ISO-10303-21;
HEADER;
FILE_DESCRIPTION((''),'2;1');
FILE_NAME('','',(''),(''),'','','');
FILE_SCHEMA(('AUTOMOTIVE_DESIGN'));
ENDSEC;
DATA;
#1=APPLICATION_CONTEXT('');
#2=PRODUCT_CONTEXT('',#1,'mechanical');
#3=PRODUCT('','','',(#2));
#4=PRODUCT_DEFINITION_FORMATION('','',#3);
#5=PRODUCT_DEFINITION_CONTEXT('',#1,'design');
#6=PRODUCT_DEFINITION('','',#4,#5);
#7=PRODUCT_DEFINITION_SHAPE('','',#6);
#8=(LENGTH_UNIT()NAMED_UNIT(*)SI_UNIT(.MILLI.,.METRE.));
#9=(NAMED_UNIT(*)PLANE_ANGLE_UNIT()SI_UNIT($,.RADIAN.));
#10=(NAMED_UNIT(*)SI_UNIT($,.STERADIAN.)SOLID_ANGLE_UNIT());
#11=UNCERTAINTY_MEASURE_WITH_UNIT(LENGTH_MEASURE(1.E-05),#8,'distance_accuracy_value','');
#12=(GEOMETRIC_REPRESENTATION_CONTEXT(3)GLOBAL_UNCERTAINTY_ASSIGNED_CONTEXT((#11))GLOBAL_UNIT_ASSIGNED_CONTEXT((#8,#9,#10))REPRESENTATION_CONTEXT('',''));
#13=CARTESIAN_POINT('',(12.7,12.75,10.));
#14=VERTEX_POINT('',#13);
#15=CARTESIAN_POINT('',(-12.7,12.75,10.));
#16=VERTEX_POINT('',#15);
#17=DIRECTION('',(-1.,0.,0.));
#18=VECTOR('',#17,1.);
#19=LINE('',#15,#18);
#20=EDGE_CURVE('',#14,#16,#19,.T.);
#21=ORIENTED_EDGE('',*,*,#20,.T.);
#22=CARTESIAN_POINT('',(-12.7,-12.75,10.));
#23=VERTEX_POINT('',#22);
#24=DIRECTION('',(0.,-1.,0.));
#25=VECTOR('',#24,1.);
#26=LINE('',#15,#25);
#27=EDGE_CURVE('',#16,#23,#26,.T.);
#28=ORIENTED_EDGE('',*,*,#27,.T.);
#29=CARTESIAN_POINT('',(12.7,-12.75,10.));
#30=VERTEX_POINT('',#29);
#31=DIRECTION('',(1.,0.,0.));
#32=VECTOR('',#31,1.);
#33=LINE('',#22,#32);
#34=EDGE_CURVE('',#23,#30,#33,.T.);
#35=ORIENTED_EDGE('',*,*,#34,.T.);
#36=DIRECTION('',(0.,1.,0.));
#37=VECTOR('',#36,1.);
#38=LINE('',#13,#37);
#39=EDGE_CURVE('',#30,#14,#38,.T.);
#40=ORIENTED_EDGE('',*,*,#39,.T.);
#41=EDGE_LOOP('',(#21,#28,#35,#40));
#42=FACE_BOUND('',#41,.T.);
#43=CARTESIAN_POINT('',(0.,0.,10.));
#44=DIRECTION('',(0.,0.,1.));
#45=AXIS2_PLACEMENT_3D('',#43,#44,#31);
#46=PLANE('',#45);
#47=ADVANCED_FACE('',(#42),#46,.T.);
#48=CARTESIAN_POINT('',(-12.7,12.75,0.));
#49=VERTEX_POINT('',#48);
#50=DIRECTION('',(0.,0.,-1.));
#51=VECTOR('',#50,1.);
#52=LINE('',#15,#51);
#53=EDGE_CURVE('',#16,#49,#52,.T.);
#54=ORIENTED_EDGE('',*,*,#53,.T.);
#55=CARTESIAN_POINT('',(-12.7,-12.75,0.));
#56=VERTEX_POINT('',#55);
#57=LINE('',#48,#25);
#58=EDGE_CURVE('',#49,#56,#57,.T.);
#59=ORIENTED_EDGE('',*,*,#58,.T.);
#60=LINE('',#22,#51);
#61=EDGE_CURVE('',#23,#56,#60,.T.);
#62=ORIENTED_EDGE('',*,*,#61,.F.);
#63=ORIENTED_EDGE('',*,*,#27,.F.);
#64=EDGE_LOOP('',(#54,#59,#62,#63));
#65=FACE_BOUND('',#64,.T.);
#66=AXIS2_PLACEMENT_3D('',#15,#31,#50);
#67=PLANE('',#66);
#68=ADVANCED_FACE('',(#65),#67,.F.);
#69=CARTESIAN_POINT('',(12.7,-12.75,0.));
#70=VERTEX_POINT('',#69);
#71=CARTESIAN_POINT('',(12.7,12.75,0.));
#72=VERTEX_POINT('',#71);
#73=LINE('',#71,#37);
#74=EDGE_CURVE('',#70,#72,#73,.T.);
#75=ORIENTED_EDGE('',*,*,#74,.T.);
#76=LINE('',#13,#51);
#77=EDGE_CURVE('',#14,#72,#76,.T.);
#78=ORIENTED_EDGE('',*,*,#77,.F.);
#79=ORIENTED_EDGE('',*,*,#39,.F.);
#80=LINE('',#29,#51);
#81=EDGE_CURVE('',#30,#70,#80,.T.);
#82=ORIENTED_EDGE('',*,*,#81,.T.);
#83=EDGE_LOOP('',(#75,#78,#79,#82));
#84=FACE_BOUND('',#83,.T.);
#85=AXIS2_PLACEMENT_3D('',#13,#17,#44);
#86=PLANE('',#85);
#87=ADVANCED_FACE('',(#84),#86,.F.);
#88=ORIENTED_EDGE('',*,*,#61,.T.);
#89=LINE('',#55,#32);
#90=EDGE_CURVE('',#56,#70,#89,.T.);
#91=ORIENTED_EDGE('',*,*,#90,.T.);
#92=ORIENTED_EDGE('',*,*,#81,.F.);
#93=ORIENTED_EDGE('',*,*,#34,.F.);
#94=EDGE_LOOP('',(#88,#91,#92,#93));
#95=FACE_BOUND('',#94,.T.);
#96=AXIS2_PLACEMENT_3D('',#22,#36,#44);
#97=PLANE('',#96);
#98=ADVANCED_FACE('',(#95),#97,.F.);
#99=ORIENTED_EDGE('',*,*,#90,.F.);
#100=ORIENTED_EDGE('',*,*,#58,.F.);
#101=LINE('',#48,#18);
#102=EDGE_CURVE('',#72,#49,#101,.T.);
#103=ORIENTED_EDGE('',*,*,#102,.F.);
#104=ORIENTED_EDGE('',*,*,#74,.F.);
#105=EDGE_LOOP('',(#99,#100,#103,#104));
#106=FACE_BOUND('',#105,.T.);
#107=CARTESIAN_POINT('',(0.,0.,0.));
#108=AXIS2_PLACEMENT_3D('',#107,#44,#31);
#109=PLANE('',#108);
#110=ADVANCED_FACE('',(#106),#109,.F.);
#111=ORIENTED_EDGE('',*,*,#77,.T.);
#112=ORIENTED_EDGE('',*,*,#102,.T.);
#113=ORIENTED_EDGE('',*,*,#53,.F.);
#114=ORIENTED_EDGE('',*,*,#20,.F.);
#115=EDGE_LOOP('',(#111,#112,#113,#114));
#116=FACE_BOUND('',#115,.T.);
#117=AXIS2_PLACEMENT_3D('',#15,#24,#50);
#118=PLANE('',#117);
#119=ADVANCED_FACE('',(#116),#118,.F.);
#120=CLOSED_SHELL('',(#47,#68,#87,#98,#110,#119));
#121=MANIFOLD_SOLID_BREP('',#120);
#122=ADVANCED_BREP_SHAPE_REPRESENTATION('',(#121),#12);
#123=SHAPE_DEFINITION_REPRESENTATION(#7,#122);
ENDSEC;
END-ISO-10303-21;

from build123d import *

# Parameters (mm, degrees)
ESQUISSE1_W        = 25.4
ESQUISSE1_H        = 25.5
BOSS_EXTRU_1_DEPTH = 10


with BuildPart() as part:
    # Esquisse1 → Boss.-Extru.1 (new body)
    with BuildSketch(Plane.XY):
        Rectangle(ESQUISSE1_W, ESQUISSE1_H)
    extrude(amount=BOSS_EXTRU_1_DEPTH)


solid = part.part
